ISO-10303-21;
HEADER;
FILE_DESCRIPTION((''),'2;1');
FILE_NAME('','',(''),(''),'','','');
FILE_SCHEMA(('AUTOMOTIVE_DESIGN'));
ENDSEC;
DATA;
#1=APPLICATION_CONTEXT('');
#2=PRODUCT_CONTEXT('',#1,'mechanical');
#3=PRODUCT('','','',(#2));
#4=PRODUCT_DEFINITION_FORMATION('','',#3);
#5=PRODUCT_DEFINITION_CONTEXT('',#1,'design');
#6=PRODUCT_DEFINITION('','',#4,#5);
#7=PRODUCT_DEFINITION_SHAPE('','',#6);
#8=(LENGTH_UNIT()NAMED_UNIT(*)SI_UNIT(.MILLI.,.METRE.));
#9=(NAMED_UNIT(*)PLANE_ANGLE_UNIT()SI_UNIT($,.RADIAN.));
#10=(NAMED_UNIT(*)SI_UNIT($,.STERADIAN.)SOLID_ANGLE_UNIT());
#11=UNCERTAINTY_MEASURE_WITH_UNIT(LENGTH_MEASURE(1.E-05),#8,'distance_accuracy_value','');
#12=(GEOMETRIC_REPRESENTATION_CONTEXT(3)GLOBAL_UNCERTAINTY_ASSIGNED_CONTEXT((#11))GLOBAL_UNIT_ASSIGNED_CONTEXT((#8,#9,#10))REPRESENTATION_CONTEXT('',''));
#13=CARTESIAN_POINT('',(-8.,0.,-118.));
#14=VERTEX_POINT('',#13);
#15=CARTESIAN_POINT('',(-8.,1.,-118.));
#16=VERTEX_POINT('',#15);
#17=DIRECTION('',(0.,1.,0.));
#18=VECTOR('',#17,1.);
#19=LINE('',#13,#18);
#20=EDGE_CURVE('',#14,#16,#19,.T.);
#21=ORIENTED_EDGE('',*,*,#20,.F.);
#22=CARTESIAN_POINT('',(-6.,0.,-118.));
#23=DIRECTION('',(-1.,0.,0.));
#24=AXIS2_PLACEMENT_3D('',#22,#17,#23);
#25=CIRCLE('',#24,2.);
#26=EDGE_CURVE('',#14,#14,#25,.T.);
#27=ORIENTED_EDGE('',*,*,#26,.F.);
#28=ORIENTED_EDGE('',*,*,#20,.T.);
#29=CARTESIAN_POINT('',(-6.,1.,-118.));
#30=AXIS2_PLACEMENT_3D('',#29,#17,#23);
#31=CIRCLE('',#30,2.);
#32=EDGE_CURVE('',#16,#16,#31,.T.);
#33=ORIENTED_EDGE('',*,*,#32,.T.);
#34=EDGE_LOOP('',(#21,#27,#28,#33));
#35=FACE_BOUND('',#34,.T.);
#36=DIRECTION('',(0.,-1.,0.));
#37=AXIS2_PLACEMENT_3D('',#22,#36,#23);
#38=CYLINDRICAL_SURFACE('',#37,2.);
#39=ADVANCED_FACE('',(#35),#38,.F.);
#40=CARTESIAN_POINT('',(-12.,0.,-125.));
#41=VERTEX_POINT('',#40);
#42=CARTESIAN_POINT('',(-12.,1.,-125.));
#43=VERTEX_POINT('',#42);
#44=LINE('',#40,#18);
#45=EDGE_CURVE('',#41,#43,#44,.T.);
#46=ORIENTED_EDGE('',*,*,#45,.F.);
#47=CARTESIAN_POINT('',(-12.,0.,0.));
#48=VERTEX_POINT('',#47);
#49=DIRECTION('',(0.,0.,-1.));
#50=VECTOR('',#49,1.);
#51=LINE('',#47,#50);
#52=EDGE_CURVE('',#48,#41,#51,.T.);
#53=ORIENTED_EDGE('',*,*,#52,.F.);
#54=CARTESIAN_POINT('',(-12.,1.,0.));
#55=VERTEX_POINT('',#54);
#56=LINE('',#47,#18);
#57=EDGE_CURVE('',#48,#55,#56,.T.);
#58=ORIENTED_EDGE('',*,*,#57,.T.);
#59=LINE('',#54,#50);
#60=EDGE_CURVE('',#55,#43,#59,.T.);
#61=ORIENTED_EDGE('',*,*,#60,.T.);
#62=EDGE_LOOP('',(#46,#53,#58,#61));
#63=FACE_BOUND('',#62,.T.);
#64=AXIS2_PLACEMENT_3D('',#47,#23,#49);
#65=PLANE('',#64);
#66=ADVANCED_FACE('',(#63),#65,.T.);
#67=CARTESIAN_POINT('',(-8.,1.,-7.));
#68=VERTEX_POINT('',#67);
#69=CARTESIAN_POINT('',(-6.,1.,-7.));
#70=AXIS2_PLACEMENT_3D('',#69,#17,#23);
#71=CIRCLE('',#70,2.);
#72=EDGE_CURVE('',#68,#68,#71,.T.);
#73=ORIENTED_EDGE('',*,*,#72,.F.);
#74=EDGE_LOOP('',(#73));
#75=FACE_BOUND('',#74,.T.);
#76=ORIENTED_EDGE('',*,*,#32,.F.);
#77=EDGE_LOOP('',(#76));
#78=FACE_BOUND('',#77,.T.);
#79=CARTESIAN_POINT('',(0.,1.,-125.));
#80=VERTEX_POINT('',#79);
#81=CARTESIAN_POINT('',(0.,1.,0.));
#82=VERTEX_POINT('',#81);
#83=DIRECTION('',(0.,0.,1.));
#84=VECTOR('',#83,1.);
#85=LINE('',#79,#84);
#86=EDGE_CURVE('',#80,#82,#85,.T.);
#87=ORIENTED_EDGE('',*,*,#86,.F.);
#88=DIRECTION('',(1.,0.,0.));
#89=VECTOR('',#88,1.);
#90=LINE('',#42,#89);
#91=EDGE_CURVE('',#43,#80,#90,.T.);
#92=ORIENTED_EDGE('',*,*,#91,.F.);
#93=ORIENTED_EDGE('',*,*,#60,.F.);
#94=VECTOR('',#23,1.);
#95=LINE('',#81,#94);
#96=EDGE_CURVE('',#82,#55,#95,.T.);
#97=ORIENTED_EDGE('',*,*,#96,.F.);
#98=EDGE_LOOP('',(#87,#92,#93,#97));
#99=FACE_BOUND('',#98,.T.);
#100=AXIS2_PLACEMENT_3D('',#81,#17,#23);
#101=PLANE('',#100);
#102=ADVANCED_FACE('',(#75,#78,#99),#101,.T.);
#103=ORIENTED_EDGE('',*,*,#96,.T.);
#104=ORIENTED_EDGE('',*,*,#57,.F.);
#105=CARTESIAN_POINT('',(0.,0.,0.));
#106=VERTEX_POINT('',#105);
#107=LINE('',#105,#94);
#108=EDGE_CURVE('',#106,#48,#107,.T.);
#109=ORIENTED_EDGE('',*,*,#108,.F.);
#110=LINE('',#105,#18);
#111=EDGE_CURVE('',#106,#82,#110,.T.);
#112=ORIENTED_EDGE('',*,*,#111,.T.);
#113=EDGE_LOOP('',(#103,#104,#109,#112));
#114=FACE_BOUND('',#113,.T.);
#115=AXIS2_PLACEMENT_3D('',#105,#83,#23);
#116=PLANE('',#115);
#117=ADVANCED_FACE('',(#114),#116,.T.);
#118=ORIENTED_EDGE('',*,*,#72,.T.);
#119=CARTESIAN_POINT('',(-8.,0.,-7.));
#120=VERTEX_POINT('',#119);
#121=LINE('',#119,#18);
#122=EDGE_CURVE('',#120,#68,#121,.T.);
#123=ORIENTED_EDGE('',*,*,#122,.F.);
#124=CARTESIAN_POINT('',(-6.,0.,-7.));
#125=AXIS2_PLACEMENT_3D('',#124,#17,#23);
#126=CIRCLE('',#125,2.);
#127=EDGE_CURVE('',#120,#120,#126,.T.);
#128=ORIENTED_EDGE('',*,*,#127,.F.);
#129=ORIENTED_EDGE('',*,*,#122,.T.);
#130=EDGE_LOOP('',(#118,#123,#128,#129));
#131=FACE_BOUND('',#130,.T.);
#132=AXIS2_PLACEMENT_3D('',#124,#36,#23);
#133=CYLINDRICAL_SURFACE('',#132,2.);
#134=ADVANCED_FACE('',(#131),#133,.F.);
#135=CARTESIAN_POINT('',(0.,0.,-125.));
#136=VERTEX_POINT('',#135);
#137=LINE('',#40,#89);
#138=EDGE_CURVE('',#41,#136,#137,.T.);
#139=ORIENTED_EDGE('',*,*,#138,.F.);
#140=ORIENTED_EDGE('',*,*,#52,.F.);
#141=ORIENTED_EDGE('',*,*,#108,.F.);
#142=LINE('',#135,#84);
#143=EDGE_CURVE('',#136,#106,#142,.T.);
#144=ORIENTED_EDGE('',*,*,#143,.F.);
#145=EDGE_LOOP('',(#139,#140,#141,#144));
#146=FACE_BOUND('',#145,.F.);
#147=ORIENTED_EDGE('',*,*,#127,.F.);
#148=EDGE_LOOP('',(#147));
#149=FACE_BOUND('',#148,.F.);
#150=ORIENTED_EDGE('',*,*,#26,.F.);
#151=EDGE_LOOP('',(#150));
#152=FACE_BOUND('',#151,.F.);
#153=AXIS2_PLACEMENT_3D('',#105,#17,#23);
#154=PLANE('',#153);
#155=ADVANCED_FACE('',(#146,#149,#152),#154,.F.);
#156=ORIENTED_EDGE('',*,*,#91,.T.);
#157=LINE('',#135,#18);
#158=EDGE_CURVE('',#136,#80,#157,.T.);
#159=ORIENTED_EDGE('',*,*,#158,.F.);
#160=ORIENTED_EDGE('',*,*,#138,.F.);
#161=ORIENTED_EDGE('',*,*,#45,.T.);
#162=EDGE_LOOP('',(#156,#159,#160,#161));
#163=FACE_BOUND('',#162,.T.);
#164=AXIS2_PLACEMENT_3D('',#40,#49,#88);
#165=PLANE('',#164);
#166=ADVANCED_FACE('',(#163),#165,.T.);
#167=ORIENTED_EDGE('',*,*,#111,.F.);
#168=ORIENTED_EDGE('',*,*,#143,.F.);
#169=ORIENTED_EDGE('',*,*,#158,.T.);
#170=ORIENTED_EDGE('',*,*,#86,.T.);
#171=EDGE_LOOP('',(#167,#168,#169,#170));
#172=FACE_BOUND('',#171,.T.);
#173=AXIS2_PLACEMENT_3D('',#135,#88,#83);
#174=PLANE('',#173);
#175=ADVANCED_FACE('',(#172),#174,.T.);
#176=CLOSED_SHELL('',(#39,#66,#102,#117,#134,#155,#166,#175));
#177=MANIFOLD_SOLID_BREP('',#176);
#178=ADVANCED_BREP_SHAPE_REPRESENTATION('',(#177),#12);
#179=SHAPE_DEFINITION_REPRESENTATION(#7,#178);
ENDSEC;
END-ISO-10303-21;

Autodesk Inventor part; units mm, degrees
ref_plane "YZ Plane" through (0, 0, 0) normal (1, 0, 0) x (0, 1, 0)
ref_plane "XZ Plane" through (0, 0, 0) normal (0, 1, 0) x (-1, 0, 0)
ref_plane "XY Plane" through (0, 0, 0) normal (0, 0, 1) x (1, 0, 0)
sketch "Sketch1" plane through (0, 0, 0) normal (0, 1, 0) x (-1, 0, 0)
  line L0 (0, 0) -> (12, 0)
  line L1 (12, 0) -> (12, -125)
  line L2 (12, -125) -> (0, -125)
  line L3 (0, -125) -> (0, 0)
  circle A0 centre (6, -7) radius 2
  circle A1 centre (6, -118) radius 2
  dimension "d0" = 12
  dimension "d1" = 125
  dimension "d2" = 4
  dimension "d6" = 7
  dimension "d7" = 6
  dimension "d36" = 4
  dimension "d37" = 111
  dimension "d38" = 7
extrude "Extrusion1" add sketch "Sketch1" along normal blind 1
sketch "Sketch4" plane through (0, 1, 0) normal (0, 1, 0) x (1, 0, 0)
  circle A0 centre (-6, 118) radius 2 projected
  line L0 (-6, 118) -> (-6, 62.5) construction
  circle A1 centre (-6, 62.5) radius 55.5
  point P0 (0, 0)
  point P1 (-6, 3.7)
  dimension "d39" = 55.5
properties part number "Barra fijación calefactor V2" material "Aluminum 6061"
